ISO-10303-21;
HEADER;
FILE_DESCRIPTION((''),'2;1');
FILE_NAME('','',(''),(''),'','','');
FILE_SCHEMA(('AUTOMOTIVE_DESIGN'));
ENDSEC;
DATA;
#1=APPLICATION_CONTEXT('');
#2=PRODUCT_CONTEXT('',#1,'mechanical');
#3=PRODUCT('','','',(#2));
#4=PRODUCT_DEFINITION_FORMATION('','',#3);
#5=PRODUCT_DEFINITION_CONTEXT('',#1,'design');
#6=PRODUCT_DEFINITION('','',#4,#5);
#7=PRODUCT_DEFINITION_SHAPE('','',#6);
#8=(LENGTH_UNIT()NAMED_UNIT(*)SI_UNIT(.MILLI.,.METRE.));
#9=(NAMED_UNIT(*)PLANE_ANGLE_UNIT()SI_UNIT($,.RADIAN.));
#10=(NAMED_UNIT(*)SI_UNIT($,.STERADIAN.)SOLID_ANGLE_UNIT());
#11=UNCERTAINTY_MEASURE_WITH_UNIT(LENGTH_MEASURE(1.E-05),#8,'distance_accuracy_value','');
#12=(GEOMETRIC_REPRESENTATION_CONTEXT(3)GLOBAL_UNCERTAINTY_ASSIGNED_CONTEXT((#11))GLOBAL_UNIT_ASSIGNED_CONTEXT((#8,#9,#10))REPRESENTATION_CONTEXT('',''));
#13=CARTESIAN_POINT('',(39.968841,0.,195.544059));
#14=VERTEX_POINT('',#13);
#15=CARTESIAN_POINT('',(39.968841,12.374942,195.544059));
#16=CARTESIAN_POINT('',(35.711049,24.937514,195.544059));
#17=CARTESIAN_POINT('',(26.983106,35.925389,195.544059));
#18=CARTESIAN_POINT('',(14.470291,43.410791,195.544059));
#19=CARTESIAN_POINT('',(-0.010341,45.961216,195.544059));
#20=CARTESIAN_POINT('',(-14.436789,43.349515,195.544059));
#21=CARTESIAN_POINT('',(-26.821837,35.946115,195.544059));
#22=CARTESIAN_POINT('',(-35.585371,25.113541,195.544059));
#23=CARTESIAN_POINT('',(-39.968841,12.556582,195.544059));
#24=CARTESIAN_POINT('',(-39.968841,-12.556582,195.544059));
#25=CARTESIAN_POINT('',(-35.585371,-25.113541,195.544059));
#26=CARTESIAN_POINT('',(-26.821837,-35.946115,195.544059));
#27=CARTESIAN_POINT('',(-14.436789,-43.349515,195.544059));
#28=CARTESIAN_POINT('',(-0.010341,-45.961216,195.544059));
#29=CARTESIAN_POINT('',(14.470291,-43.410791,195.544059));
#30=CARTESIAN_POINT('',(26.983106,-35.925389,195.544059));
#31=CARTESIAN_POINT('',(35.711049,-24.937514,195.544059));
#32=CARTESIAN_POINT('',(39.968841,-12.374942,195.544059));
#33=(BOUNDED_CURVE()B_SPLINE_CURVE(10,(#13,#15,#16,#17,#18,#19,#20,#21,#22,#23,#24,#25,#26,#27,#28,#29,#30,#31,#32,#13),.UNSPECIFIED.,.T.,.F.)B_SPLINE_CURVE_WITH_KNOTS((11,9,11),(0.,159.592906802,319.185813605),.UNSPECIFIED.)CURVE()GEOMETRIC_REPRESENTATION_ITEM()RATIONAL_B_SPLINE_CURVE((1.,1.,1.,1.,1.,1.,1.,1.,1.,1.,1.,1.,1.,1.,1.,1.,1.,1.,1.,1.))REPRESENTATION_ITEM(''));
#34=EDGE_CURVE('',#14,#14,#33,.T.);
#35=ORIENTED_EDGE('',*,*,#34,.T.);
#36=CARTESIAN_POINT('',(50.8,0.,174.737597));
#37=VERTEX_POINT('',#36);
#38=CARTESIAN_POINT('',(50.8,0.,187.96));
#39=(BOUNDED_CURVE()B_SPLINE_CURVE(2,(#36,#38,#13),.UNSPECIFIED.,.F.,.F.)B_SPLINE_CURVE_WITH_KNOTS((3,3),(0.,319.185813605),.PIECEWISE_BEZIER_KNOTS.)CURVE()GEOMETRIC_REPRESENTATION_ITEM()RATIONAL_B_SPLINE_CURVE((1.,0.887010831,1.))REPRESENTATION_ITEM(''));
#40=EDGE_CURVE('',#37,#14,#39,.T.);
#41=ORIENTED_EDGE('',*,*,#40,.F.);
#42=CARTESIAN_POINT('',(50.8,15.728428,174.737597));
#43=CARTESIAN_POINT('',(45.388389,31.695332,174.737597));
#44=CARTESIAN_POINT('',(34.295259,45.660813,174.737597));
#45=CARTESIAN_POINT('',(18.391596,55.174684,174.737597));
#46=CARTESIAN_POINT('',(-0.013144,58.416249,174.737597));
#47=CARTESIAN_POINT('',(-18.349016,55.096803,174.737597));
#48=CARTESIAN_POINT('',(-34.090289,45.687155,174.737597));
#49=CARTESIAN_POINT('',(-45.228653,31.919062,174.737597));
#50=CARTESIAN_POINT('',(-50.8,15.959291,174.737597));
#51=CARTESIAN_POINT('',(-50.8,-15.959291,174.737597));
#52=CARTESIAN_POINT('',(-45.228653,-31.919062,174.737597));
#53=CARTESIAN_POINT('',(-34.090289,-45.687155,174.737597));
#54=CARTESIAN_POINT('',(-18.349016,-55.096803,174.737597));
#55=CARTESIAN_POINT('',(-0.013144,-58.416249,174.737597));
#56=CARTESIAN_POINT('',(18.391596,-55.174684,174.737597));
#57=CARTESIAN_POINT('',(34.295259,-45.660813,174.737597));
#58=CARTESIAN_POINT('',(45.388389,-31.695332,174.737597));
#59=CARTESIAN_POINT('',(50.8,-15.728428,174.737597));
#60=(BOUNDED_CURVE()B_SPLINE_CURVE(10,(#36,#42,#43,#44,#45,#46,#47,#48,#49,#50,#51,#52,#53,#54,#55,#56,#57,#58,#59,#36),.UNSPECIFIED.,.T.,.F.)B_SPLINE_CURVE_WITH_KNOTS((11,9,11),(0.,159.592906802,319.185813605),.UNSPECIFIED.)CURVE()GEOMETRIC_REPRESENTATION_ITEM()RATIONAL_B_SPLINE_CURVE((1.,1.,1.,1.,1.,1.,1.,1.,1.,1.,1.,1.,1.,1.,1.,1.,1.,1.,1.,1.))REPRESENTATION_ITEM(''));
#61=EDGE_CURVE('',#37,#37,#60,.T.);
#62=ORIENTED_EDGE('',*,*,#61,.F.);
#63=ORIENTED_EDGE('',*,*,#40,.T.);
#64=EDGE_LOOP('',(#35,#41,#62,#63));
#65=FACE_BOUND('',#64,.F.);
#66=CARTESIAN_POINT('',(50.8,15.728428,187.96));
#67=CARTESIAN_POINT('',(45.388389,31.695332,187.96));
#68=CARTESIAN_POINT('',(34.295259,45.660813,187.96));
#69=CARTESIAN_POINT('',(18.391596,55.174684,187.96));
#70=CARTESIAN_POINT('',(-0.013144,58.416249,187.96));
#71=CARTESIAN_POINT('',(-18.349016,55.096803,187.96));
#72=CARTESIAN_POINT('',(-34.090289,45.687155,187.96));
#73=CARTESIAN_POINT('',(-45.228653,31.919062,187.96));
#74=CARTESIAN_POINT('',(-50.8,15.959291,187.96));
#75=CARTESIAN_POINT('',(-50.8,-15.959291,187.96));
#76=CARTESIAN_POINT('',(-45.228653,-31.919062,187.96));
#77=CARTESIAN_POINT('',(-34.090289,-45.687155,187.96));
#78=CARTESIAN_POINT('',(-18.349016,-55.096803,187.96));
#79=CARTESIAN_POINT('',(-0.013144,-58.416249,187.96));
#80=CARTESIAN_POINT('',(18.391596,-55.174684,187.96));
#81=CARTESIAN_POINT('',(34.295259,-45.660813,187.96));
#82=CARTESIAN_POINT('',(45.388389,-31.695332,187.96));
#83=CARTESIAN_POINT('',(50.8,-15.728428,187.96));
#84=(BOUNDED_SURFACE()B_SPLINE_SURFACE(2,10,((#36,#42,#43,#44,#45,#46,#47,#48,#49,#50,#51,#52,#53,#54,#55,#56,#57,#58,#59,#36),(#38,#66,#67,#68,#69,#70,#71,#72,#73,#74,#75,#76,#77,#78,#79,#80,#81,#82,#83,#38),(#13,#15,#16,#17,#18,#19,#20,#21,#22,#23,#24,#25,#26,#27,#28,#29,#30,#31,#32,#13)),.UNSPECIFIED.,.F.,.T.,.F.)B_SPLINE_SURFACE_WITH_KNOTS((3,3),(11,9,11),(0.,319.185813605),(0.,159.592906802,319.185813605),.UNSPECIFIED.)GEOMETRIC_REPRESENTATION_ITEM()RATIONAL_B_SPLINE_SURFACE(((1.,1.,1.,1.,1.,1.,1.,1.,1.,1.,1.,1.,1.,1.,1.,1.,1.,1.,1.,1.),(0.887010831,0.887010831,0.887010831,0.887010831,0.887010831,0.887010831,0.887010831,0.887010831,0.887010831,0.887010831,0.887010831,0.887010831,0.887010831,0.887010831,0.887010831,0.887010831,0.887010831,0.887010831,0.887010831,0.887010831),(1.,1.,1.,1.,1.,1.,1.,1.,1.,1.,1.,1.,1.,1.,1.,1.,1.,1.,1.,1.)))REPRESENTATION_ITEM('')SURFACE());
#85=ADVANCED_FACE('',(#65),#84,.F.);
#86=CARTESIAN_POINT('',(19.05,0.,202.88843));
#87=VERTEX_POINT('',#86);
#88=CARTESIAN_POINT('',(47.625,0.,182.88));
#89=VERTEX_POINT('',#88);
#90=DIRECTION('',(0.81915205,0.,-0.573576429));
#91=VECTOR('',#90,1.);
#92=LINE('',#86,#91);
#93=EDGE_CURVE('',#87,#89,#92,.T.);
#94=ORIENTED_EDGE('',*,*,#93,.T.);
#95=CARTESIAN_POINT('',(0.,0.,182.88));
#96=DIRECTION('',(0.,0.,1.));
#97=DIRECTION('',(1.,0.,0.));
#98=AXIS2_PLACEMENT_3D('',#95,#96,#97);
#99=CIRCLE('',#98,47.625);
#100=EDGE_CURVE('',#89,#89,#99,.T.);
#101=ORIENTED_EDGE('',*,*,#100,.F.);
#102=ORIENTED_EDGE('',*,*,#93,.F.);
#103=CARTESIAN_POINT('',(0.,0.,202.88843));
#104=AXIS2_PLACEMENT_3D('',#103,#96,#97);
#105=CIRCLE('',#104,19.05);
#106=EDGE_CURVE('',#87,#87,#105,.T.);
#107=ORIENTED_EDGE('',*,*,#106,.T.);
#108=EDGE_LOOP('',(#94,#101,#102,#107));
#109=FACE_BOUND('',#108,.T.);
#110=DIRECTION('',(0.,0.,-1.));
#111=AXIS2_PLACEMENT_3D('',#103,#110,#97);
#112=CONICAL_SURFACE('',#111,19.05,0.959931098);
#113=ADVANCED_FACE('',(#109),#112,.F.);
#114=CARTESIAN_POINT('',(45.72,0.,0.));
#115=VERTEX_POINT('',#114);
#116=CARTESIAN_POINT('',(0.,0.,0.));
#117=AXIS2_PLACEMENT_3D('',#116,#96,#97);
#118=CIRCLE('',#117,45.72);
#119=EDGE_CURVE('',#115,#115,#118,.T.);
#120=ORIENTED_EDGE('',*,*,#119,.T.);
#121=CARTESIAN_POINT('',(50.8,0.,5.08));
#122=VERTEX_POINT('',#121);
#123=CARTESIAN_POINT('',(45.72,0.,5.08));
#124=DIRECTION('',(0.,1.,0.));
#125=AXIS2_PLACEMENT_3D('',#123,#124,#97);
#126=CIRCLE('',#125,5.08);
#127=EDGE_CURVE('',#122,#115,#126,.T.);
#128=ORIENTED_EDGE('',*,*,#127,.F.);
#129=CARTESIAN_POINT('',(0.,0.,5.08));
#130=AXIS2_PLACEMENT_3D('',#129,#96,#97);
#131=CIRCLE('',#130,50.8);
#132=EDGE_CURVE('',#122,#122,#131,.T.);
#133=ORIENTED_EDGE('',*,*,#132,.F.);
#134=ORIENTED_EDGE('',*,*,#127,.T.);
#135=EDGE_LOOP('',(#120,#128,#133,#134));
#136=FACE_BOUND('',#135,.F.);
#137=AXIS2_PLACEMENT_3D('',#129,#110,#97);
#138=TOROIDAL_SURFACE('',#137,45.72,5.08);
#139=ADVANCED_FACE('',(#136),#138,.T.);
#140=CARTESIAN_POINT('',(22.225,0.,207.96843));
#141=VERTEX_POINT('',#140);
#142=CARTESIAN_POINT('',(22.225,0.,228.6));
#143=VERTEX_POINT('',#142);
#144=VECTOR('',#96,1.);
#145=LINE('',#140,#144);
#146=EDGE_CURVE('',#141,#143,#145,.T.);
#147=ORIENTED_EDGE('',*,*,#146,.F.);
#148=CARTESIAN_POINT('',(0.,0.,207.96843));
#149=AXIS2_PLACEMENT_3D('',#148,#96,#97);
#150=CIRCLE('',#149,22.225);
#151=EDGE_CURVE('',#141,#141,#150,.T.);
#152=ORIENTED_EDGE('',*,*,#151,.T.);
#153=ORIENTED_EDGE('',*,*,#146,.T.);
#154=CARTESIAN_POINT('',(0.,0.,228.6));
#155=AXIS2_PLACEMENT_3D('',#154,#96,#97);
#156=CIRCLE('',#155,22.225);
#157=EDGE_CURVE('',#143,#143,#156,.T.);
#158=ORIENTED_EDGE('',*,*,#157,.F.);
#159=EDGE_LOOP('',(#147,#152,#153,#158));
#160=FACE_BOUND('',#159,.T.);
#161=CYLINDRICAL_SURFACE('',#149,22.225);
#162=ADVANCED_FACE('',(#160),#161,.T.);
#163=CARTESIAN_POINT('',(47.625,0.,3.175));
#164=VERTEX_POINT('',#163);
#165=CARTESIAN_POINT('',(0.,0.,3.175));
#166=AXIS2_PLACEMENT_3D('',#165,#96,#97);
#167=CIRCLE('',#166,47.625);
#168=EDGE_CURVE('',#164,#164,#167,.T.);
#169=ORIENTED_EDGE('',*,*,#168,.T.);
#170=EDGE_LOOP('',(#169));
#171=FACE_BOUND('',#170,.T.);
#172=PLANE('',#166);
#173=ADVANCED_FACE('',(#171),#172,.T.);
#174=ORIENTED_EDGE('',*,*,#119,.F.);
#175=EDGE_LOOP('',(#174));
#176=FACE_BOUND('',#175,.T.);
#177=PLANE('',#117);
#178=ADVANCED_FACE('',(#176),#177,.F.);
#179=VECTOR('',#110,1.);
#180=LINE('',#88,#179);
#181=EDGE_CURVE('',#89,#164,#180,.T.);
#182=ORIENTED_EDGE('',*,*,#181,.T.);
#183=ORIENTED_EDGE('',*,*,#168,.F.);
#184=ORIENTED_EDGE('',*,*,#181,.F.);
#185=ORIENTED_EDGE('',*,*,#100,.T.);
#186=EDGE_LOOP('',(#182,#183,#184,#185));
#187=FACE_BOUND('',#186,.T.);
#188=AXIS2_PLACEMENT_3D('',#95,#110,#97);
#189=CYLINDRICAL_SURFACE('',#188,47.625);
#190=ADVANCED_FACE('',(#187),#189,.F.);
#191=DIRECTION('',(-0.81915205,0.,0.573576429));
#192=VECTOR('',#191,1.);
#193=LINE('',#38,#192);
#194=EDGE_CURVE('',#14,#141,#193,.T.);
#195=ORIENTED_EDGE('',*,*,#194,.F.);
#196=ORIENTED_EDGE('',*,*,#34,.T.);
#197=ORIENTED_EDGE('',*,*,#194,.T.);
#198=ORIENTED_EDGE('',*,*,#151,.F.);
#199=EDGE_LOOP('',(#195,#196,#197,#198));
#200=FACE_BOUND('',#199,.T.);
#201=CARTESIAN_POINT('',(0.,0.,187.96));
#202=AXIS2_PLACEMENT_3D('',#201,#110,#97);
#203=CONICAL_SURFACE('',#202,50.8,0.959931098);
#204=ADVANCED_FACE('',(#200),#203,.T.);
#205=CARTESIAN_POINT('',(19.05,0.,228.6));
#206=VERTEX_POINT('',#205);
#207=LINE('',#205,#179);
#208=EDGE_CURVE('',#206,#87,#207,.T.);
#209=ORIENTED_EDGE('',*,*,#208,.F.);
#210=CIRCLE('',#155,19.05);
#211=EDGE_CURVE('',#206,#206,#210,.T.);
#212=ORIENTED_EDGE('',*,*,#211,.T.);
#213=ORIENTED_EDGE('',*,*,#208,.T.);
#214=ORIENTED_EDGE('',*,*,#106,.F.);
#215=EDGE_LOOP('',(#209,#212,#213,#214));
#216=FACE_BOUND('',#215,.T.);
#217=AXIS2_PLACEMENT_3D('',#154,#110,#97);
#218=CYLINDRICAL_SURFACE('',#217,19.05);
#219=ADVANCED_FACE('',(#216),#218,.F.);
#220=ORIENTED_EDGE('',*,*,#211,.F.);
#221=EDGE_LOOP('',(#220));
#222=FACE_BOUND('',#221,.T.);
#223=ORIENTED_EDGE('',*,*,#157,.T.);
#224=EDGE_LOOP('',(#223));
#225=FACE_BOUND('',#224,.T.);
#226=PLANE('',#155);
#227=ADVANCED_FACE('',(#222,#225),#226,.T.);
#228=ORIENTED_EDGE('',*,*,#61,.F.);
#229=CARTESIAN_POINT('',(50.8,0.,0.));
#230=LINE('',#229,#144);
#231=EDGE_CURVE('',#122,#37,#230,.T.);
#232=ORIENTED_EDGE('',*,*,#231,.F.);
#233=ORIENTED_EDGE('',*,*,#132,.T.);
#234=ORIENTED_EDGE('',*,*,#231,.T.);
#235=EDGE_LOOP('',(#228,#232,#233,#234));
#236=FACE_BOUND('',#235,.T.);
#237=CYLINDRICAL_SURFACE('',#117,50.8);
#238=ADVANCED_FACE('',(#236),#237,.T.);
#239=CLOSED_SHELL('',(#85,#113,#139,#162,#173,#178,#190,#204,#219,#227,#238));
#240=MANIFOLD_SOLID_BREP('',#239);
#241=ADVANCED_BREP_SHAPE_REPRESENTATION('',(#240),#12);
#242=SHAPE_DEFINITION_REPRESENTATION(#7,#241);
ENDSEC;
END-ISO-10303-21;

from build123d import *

# Parameters (mm, degrees)
F2_R = 25.4
F3_R = 5.08


with BuildPart() as f1:
    # F0 (on Front) → F1 (revolve)
    with BuildSketch(Plane.XZ):
        Polygon((22.225, 228.6), (19.05, 228.6), (19.05, 202.88843), (47.625, 182.88), (47.625, 3.175), (0, 3.175), (0, 0), (47.625, 0), (50.8, 0), (50.8, 187.96), (22.225, 207.96843), align=None)
    revolve(axis=Axis((0, 0, 114.3), (0, 0, 1)))

    # F2
    f2_edges = [f1.edges().sort_by_distance(p)[0] for p in [
        (-50.8, 0, 187.96),
    ]]
    fillet(f2_edges, radius=F2_R)

    # F3
    f3_edges = [f1.edges().sort_by_distance(p)[0] for p in [
        (-50.8, 0, 0),
    ]]
    fillet(f3_edges, radius=F3_R)


solid = f1.part
